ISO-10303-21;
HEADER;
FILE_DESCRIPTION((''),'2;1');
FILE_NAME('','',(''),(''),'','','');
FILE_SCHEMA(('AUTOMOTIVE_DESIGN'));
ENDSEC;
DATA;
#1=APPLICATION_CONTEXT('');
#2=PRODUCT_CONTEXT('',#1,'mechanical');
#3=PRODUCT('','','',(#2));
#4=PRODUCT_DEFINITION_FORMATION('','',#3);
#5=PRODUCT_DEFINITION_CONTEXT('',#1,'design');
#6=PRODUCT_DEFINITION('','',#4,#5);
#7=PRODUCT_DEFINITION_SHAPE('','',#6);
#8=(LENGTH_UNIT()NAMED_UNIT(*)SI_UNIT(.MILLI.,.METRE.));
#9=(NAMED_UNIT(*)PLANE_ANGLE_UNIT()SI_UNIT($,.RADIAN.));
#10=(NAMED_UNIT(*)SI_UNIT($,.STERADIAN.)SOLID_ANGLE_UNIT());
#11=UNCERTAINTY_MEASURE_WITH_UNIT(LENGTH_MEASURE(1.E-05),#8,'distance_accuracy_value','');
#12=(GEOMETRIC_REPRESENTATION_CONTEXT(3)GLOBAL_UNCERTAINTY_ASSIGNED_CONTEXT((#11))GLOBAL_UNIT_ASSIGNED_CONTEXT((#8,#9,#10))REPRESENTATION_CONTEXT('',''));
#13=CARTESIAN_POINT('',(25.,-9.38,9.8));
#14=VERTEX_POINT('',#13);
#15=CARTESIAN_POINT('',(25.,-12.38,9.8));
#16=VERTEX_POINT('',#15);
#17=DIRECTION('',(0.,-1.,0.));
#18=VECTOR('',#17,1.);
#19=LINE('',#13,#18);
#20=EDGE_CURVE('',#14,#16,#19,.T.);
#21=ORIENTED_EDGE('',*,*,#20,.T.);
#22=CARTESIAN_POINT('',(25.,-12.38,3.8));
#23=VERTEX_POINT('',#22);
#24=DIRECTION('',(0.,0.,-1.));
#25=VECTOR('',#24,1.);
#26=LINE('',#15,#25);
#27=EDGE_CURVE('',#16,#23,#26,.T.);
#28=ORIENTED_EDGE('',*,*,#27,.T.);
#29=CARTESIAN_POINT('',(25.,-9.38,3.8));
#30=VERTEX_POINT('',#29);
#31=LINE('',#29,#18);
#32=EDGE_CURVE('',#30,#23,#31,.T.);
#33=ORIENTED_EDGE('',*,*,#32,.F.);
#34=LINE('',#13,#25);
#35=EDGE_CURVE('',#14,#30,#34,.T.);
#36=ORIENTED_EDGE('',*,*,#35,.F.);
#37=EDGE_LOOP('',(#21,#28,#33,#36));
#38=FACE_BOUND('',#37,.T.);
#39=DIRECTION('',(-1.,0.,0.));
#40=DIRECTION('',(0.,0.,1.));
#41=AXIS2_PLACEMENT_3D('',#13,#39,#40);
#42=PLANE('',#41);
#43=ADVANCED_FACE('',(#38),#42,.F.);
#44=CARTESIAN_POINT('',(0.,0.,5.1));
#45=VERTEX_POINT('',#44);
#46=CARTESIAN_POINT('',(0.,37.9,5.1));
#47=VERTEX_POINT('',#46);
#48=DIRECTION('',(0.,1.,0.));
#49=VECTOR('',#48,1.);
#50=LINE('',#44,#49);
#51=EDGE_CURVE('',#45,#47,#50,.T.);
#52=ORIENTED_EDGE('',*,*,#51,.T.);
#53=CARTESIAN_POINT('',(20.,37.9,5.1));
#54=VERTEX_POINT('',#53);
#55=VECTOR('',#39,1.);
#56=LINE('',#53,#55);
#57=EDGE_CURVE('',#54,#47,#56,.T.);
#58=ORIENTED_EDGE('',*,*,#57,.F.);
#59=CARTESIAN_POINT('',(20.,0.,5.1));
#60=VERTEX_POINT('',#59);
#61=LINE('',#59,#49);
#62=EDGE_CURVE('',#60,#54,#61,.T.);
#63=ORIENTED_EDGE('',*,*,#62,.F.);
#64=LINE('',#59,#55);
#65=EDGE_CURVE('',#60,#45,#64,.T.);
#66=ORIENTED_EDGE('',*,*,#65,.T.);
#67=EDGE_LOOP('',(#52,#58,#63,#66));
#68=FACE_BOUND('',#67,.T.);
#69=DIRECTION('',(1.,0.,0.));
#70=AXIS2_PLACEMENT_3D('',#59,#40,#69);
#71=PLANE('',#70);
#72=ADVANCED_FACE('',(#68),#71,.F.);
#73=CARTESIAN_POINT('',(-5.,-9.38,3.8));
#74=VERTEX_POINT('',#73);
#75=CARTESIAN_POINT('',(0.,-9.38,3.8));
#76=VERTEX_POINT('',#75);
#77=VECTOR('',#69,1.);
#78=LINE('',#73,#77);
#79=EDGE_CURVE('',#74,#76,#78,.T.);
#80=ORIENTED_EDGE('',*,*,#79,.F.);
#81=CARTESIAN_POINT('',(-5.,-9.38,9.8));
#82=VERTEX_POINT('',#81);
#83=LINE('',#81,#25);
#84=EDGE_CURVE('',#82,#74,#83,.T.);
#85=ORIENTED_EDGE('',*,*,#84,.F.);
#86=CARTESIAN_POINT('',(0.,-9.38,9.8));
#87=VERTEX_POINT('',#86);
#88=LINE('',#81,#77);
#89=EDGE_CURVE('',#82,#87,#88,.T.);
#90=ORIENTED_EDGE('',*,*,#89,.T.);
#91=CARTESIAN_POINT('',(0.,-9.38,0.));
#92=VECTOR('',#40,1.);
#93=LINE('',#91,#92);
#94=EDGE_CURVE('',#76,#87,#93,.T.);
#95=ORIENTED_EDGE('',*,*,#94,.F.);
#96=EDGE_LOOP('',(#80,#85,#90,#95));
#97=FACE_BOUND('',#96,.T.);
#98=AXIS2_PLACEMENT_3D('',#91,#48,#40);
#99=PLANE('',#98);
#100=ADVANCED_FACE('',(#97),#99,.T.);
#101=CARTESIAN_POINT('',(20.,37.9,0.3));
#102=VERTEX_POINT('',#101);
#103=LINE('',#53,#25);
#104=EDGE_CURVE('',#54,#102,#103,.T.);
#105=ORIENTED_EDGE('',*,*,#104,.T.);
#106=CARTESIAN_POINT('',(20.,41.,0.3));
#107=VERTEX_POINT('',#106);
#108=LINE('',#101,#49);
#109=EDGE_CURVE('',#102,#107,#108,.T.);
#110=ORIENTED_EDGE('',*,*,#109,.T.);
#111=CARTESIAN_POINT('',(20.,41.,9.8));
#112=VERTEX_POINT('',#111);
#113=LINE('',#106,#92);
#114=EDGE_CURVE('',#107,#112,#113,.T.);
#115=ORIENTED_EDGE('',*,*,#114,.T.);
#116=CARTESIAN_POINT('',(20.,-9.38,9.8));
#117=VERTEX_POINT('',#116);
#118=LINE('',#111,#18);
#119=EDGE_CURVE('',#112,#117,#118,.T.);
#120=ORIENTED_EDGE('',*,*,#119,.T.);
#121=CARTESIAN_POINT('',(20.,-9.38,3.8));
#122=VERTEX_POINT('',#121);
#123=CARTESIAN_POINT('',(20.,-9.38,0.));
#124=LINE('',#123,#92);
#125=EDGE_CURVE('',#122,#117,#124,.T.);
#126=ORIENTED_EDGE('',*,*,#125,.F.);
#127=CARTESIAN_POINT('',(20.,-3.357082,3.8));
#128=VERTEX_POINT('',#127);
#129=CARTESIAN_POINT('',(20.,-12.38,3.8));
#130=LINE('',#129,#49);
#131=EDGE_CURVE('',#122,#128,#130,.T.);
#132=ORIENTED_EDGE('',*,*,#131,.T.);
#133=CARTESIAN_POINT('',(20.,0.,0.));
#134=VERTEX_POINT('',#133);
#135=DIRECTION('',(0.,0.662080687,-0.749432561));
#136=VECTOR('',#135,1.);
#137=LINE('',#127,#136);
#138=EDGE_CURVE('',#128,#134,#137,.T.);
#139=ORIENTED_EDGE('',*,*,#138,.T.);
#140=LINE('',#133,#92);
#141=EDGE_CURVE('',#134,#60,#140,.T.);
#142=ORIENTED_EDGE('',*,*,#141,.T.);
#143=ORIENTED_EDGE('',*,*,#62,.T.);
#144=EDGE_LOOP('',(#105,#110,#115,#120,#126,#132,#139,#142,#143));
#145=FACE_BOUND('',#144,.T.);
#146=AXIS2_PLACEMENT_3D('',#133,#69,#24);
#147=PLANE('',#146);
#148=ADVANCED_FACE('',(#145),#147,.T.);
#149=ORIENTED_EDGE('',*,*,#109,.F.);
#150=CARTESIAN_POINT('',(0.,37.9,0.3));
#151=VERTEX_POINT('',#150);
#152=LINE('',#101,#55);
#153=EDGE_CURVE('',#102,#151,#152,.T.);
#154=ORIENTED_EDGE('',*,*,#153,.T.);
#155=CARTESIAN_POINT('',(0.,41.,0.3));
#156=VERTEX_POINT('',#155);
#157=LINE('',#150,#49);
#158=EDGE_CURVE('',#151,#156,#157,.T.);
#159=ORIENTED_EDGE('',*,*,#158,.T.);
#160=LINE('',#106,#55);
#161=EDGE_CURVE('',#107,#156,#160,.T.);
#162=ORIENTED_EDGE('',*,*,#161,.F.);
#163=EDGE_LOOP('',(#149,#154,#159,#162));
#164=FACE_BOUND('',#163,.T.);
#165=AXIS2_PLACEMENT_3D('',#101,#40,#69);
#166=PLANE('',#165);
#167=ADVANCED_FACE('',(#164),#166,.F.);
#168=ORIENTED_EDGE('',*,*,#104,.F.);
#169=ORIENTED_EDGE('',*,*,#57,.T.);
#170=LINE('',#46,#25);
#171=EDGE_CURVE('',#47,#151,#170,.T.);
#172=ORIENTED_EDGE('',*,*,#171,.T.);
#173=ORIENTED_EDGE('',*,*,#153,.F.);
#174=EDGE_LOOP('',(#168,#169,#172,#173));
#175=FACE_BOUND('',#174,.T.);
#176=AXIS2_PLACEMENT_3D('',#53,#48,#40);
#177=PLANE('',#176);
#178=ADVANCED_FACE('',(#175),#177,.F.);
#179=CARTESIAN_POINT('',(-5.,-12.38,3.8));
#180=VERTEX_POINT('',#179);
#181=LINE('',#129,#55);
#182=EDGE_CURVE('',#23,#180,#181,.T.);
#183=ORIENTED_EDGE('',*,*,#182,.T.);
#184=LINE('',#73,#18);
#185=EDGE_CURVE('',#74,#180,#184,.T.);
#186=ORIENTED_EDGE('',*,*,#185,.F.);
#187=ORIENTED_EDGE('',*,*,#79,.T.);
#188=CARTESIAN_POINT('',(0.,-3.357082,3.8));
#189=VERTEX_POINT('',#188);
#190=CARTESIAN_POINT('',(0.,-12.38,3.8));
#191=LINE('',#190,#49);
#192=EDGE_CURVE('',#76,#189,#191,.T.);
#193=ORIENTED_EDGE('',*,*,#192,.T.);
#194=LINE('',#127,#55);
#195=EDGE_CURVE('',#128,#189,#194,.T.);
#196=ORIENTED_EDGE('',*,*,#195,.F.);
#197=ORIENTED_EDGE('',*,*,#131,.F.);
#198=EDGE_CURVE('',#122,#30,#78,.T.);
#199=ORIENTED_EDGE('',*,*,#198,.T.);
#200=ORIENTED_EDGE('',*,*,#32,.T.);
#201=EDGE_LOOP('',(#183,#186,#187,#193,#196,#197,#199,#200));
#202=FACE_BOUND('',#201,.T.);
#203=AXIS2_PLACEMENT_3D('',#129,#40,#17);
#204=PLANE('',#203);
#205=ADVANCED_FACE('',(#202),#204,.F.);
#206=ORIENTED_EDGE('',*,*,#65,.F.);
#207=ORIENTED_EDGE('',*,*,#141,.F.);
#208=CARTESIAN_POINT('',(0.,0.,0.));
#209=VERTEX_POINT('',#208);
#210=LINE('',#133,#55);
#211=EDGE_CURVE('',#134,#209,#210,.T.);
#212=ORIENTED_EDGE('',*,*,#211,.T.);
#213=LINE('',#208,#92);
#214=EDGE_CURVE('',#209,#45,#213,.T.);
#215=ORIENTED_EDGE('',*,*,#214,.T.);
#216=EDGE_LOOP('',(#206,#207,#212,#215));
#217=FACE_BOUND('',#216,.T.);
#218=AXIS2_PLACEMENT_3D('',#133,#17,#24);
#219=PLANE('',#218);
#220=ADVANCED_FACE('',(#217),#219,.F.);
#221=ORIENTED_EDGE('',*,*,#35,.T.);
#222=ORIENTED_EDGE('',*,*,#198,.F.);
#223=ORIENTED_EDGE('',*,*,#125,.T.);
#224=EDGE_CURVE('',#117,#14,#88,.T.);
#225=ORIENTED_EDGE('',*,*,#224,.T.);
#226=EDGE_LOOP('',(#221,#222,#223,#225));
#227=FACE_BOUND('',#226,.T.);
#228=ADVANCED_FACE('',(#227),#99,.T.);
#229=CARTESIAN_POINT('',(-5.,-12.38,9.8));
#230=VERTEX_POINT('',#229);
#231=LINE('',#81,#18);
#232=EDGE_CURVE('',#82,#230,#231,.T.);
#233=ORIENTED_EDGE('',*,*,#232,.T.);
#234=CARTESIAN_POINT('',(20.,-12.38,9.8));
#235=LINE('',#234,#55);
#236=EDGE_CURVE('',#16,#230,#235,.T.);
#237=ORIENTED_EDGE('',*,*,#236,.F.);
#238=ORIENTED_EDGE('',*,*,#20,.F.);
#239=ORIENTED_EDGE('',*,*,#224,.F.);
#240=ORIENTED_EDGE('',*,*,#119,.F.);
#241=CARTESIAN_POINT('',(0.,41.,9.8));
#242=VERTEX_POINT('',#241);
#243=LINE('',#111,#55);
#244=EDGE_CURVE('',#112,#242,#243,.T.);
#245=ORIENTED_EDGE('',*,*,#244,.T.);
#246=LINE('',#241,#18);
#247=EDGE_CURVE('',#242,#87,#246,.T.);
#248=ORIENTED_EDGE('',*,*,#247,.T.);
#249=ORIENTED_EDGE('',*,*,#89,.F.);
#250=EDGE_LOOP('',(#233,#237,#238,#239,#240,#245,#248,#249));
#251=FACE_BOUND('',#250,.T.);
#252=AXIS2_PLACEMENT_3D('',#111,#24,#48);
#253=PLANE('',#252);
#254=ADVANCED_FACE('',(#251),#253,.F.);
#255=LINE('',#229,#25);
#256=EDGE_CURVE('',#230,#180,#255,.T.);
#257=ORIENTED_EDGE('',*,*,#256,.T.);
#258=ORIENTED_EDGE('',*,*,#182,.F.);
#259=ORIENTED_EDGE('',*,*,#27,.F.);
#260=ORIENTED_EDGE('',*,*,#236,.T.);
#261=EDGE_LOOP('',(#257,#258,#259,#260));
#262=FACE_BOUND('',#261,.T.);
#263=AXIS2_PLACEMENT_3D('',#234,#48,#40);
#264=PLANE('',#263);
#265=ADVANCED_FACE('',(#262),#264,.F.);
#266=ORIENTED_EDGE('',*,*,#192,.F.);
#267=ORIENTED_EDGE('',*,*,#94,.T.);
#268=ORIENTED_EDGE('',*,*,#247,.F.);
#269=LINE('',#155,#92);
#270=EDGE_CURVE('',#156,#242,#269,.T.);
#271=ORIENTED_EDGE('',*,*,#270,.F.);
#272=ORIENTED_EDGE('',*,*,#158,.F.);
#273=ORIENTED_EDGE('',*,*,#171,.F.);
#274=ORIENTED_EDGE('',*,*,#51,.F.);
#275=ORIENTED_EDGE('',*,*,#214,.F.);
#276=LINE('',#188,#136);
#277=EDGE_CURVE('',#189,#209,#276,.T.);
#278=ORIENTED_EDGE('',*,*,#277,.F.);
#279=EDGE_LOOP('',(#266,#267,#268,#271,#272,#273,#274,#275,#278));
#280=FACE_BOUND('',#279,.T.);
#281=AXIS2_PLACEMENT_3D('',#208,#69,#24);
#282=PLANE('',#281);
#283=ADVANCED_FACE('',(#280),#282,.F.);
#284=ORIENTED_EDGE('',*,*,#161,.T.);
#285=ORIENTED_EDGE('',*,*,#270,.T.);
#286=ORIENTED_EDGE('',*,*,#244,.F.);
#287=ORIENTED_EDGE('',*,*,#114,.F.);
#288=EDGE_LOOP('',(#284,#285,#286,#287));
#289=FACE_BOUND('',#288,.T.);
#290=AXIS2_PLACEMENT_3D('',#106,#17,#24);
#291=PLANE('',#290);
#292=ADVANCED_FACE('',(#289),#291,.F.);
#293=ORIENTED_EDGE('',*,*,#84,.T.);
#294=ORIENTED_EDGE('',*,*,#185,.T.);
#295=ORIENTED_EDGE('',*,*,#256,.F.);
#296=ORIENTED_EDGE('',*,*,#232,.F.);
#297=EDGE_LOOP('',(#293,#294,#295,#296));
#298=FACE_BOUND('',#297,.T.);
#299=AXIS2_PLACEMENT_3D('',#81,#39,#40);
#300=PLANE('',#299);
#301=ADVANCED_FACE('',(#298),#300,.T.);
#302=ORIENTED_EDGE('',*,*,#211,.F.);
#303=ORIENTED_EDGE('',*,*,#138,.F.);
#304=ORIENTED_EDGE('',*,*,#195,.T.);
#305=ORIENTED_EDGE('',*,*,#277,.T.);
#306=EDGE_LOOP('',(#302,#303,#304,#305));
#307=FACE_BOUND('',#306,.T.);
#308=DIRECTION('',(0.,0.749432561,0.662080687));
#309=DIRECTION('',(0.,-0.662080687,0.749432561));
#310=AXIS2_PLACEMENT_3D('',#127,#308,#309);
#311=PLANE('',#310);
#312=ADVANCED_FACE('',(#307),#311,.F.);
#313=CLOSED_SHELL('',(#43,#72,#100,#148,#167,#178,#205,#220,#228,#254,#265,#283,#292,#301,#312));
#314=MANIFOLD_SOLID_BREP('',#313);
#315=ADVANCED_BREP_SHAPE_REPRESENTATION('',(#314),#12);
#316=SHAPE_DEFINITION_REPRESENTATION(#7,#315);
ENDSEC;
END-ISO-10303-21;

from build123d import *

# Parameters (mm, degrees)
BOSS_EXTRUDE1_DEPTH = 20
SKETCH2_W           = 30
SKETCH2_H           = 6
BOSS_EXTRUDE2_DEPTH = 3


with BuildPart() as part:
    # Sketch1 → Boss-Extrude1 (new body)
    with BuildSketch(Plane(origin=(0, 0, 0), x_dir=(0, 0, -1), z_dir=(1, 0, 0))):
        Polygon((-9.8, -12.38), (-3.8, -12.38), (-3.8, -3.357082066), (0, 0), (-5.1, 0), (-5.1, 37.9), (-0.3, 37.9), (-0.3, 41), (-9.8, 41), align=None)
    extrude(amount=BOSS_EXTRUDE1_DEPTH)

    # Sketch2 → Boss-Extrude2 (add)
    with BuildSketch(Plane.XZ.offset(12.38)):
        with Locations((10, 6.8)):
            Rectangle(SKETCH2_W, SKETCH2_H)
    extrude(amount=-BOSS_EXTRUDE2_DEPTH)


solid = part.part
